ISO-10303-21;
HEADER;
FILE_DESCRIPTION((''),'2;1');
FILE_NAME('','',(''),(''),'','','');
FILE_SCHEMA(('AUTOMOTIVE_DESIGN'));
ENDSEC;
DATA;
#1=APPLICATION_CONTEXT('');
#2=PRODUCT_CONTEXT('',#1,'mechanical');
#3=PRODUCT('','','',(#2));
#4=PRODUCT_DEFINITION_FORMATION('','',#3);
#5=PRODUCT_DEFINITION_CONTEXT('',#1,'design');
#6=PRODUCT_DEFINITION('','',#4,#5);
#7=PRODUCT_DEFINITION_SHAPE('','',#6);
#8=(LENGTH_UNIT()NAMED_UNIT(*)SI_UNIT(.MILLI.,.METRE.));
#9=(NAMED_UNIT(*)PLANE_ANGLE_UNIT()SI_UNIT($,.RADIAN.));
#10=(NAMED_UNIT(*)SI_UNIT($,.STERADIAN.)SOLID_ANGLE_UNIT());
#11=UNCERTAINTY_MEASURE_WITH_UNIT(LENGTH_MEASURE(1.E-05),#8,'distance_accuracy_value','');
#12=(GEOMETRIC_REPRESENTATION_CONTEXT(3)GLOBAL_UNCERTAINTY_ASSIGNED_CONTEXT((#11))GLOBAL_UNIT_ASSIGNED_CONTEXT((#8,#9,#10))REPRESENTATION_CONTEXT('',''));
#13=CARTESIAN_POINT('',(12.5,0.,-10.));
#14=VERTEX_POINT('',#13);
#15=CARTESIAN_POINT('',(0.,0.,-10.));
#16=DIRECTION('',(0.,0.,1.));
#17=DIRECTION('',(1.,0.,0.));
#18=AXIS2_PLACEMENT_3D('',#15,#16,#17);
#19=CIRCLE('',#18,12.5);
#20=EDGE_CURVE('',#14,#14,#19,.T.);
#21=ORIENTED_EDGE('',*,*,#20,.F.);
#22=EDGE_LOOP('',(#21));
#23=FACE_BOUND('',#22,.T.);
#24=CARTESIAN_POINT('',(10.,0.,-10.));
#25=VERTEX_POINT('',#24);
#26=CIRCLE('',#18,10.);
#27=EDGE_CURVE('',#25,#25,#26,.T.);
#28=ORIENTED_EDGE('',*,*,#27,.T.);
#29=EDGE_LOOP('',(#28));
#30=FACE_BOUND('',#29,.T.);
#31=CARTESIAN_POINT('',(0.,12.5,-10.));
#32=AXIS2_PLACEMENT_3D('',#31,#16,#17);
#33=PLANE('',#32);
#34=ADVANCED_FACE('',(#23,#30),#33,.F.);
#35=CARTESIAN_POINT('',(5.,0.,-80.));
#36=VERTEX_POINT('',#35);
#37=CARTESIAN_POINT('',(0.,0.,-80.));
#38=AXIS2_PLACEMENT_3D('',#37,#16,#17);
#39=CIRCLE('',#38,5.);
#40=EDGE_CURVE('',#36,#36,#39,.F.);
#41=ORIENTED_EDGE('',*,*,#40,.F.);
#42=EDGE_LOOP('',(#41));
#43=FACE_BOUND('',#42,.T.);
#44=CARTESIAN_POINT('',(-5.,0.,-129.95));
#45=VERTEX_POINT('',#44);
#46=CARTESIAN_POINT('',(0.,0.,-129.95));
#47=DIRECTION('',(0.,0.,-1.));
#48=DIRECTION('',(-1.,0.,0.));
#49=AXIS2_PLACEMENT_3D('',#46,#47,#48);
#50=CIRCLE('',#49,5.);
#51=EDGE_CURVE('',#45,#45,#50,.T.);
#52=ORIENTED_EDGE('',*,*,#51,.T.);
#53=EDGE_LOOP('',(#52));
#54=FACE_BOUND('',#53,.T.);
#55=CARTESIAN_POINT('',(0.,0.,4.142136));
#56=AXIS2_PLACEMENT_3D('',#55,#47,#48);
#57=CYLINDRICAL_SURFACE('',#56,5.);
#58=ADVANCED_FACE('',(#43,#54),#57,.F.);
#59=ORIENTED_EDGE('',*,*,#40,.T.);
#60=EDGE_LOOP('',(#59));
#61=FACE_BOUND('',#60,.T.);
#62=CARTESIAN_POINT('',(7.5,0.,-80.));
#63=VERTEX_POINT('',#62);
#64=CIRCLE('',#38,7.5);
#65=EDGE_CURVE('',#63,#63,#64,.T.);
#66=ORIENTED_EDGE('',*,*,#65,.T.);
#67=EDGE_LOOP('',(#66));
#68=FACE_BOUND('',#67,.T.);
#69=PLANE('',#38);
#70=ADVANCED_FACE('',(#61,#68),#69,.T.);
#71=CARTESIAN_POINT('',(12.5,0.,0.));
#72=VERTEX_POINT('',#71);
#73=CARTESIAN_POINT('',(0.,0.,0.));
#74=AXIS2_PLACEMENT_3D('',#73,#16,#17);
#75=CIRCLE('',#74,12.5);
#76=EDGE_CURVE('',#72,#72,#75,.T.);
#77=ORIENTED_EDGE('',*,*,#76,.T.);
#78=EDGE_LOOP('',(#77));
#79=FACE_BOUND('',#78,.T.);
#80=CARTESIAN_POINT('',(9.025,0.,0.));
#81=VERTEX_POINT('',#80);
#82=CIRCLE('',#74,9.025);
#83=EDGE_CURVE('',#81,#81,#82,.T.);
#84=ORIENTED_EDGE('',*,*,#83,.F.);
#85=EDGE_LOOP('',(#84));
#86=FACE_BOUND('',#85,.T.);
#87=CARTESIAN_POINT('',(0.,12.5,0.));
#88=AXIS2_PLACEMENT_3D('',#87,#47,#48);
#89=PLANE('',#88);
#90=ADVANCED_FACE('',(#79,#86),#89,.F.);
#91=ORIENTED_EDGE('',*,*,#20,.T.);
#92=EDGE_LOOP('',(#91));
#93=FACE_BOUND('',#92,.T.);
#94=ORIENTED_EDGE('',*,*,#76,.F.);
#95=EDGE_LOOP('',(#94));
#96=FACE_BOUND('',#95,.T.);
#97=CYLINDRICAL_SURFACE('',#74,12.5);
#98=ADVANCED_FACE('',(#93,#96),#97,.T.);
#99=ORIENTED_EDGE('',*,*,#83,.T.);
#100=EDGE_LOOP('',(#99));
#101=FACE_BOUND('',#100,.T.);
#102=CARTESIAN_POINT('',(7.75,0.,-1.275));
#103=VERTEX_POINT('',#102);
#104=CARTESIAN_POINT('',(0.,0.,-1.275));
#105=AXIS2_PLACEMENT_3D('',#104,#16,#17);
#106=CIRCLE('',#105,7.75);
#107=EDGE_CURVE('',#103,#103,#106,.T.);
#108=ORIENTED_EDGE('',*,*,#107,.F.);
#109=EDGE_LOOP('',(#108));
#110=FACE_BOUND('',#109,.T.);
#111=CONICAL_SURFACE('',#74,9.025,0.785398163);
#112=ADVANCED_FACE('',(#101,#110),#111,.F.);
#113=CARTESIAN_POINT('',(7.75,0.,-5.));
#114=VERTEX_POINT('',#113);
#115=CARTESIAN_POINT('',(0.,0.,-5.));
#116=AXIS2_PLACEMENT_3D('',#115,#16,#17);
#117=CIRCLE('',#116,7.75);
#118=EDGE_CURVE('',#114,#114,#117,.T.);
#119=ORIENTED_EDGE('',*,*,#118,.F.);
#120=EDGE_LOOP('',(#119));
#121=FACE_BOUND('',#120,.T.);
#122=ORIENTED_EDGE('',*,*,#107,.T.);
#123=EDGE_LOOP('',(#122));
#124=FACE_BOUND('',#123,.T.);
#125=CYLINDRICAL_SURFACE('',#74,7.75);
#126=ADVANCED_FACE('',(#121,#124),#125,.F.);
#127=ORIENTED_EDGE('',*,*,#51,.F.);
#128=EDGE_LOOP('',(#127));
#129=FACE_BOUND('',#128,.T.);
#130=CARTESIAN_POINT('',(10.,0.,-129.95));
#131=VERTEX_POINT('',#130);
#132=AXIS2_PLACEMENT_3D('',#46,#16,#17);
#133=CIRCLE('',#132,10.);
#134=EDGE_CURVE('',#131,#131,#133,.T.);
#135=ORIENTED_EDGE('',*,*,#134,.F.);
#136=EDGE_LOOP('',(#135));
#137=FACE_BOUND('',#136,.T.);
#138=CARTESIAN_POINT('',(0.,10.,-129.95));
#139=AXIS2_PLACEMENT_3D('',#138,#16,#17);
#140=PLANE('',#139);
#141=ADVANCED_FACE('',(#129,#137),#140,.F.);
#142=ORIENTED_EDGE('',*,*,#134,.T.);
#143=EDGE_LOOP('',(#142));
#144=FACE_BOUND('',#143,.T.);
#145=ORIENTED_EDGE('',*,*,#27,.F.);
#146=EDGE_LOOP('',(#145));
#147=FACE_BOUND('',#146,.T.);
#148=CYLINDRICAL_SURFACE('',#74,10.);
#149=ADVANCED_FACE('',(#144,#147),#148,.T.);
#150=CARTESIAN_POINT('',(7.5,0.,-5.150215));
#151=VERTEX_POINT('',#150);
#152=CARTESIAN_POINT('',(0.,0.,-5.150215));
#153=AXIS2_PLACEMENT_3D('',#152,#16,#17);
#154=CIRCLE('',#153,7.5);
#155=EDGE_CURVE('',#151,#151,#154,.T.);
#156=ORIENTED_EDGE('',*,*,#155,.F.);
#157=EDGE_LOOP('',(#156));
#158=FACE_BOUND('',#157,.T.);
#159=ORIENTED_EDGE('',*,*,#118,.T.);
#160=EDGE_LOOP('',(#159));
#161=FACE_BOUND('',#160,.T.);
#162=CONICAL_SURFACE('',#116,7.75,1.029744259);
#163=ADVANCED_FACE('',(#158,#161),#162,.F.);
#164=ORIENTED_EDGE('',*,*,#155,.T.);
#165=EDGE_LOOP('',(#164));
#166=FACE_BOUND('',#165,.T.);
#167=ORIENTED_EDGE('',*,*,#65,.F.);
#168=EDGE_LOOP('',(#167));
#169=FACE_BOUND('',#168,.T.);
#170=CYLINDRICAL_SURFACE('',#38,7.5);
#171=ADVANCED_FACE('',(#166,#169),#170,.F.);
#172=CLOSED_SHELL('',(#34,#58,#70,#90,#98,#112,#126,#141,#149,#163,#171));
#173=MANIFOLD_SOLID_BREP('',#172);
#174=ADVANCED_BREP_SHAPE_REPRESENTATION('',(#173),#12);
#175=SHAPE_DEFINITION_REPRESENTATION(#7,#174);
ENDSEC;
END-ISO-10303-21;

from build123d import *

# Parameters (mm, degrees)
SKETCH4_R                    = 5
CUT_EXTRUDE1_DEPTH           = 119.95
SKETCH5_R                    = 7.5
CUT_EXTRUDE2_DEPTH           = 80
M18_TAPPED_HOLE1_D           = 15.5
M18_TAPPED_HOLE1_DEPTH       = 5
M18_TAPPED_HOLE1_CSINK_D     = 18.05
M18_TAPPED_HOLE1_CSINK_ANGLE = 90
M18_TAPPED_HOLE1_TIP         = 4.656669797


with BuildPart() as part:
    # Sketch3 → Revolve2 (revolve)
    with BuildSketch(Plane(origin=(0, 0, 0), x_dir=(0, 0, -1), z_dir=(1, 0, 0))):
        Polygon((0, 12.5), (10, 12.5), (10, 10), (129.95, 10), (129.95, 0), (0, 0), align=None)
    revolve(axis=Axis((0, 0, 0), (0, 0, -1)))

    # Sketch4 → Cut-Extrude1 (cut)
    with BuildSketch(Plane(origin=(0, 0, -129.95), x_dir=(-1, 0, 0), z_dir=(0, 0, -1))):
        Circle(SKETCH4_R)
    extrude(amount=-CUT_EXTRUDE1_DEPTH, mode=Mode.SUBTRACT)

    # Sketch5 → Cut-Extrude2 (cut)
    with BuildSketch(Plane.XY):
        Circle(SKETCH5_R)
    extrude(amount=-CUT_EXTRUDE2_DEPTH, mode=Mode.SUBTRACT)

    # M18 Tapped Hole1
    with Locations(Plane.XY):
        with Locations((0, 0)):
            CounterSinkHole(M18_TAPPED_HOLE1_D / 2, M18_TAPPED_HOLE1_CSINK_D / 2, depth=M18_TAPPED_HOLE1_DEPTH, counter_sink_angle=M18_TAPPED_HOLE1_CSINK_ANGLE)
            with Locations((0, 0, -(M18_TAPPED_HOLE1_DEPTH + M18_TAPPED_HOLE1_TIP / 2))):  # 118° drill point
                Cone(0, M18_TAPPED_HOLE1_D / 2, M18_TAPPED_HOLE1_TIP, mode=Mode.SUBTRACT)


solid = part.part
